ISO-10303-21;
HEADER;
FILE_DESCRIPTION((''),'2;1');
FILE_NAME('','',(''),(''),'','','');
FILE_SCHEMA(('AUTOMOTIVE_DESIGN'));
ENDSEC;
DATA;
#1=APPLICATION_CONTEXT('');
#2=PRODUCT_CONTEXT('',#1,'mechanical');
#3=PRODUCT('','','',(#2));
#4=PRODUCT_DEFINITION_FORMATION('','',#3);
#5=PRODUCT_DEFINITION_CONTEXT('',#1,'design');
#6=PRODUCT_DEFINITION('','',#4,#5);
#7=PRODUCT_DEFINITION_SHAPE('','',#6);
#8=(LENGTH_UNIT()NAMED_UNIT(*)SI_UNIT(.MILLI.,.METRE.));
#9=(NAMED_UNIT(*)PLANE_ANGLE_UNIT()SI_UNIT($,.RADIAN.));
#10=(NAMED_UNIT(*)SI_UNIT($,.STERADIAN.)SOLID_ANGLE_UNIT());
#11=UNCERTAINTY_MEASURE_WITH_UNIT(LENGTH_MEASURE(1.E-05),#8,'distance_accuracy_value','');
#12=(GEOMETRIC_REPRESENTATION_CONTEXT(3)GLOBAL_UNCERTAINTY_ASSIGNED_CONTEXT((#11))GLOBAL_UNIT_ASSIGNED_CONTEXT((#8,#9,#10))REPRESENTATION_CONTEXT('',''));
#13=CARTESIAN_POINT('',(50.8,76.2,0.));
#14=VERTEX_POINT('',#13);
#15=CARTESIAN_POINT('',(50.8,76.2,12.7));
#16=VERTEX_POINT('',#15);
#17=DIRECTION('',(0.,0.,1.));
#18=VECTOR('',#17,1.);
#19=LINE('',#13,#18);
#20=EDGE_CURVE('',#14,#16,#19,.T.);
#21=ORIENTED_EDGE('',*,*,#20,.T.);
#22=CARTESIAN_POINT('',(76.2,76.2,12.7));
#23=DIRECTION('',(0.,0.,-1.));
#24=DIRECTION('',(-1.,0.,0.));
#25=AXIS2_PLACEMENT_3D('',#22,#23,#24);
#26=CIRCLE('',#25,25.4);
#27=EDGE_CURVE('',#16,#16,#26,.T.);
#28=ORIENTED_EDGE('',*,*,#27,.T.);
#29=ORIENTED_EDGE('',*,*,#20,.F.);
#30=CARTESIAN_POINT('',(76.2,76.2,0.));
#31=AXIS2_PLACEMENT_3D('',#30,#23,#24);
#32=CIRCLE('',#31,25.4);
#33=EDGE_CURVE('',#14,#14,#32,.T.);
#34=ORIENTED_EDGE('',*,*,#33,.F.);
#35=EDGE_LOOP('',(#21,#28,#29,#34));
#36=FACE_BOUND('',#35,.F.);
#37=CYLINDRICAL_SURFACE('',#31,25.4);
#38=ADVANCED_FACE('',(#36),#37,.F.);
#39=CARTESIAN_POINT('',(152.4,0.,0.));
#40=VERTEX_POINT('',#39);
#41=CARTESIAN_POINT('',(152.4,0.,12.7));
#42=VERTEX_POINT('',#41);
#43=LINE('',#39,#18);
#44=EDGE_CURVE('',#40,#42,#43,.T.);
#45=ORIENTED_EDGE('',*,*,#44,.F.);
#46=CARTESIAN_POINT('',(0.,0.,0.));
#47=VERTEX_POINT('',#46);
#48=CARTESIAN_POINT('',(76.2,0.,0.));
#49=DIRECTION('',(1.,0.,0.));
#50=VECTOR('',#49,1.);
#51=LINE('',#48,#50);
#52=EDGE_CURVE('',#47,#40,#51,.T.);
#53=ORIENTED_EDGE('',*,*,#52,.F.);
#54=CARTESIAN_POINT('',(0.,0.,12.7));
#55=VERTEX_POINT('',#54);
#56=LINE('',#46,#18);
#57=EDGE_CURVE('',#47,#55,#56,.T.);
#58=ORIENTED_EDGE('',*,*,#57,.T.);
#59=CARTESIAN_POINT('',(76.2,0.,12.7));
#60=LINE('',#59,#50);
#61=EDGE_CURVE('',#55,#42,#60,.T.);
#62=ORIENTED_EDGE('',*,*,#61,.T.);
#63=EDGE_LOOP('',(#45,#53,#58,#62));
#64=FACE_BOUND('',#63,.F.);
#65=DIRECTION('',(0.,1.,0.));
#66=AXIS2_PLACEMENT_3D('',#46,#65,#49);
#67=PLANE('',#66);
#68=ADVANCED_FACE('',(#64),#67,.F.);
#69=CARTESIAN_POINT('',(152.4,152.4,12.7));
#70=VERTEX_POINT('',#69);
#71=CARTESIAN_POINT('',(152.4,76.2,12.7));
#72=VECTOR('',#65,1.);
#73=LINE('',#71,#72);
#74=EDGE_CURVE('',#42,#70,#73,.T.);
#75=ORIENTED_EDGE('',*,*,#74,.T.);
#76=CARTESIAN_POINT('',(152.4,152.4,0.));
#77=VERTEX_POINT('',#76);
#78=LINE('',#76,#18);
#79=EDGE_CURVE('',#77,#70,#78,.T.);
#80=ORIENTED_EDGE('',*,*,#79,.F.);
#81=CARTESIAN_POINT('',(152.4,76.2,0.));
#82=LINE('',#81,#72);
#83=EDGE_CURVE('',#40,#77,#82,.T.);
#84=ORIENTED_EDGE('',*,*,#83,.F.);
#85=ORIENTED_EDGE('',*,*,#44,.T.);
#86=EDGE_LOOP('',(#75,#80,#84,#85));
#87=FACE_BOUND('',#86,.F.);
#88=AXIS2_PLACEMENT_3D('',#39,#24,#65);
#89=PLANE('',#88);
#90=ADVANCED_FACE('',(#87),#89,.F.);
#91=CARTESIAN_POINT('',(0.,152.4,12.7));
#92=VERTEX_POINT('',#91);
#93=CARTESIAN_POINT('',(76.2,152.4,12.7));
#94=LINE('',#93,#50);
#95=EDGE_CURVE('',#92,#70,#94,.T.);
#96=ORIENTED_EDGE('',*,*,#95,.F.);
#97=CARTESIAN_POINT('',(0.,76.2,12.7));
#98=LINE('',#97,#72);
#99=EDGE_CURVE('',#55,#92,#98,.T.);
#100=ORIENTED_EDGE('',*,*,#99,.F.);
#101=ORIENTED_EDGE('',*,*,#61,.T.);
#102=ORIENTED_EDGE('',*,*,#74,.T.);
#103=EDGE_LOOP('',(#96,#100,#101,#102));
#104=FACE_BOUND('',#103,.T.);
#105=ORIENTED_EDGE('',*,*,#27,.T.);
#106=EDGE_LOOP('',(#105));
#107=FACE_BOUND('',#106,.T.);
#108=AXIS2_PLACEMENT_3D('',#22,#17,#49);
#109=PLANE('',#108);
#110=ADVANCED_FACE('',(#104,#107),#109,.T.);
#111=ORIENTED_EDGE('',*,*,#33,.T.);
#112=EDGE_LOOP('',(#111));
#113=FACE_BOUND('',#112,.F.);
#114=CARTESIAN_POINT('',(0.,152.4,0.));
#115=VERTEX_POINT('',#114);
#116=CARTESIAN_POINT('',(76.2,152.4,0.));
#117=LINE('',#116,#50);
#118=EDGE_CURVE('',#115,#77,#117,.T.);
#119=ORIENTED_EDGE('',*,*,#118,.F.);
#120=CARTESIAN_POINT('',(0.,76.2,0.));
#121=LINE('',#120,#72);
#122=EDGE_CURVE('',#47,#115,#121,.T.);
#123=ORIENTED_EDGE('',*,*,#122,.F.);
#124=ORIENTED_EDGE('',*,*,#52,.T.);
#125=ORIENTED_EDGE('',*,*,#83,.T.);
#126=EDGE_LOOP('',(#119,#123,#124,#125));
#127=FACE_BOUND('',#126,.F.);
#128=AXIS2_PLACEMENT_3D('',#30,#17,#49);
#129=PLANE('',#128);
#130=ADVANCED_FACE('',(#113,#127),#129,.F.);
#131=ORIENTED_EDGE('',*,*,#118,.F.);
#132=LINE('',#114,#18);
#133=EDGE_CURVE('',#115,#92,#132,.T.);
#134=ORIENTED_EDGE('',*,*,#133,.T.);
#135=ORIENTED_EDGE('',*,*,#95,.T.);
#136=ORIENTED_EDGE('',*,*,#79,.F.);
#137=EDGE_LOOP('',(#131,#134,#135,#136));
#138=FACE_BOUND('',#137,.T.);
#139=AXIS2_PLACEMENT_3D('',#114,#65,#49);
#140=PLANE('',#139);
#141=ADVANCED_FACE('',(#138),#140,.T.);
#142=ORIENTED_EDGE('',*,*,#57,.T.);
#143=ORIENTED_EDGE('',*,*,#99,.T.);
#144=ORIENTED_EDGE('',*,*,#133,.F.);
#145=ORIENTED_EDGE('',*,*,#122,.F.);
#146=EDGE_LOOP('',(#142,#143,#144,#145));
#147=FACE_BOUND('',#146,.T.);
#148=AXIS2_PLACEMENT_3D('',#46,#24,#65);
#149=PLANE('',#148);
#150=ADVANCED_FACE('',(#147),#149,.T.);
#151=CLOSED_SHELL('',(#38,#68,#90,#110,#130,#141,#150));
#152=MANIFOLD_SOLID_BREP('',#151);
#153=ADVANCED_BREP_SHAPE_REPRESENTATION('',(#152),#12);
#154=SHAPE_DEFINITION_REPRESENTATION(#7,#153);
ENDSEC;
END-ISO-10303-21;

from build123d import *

# Parameters (mm, degrees)
SKETCH1_W           = 152.4
SKETCH1_H           = 152.4
BOSS_EXTRUDE1_DEPTH = 12.7
SKETCH2_R           = 25.4
CUT_EXTRUDE1_DEPTH  = 12.7


with BuildPart() as part:
    # Sketch1 → Boss-Extrude1 (new body)
    with BuildSketch(Plane.XY):
        with Locations((76.2, 76.2)):
            Rectangle(SKETCH1_W, SKETCH1_H)
    extrude(amount=BOSS_EXTRUDE1_DEPTH)

    # Sketch2 → Cut-Extrude1 (cut)
    with BuildSketch(Plane(origin=(0, 0, 0), x_dir=(-1, 0, 0), z_dir=(0, 0, -1))):
        with Locations((-76.2, 76.2)):
            Circle(SKETCH2_R)
    extrude(amount=-CUT_EXTRUDE1_DEPTH, mode=Mode.SUBTRACT)


solid = part.part
